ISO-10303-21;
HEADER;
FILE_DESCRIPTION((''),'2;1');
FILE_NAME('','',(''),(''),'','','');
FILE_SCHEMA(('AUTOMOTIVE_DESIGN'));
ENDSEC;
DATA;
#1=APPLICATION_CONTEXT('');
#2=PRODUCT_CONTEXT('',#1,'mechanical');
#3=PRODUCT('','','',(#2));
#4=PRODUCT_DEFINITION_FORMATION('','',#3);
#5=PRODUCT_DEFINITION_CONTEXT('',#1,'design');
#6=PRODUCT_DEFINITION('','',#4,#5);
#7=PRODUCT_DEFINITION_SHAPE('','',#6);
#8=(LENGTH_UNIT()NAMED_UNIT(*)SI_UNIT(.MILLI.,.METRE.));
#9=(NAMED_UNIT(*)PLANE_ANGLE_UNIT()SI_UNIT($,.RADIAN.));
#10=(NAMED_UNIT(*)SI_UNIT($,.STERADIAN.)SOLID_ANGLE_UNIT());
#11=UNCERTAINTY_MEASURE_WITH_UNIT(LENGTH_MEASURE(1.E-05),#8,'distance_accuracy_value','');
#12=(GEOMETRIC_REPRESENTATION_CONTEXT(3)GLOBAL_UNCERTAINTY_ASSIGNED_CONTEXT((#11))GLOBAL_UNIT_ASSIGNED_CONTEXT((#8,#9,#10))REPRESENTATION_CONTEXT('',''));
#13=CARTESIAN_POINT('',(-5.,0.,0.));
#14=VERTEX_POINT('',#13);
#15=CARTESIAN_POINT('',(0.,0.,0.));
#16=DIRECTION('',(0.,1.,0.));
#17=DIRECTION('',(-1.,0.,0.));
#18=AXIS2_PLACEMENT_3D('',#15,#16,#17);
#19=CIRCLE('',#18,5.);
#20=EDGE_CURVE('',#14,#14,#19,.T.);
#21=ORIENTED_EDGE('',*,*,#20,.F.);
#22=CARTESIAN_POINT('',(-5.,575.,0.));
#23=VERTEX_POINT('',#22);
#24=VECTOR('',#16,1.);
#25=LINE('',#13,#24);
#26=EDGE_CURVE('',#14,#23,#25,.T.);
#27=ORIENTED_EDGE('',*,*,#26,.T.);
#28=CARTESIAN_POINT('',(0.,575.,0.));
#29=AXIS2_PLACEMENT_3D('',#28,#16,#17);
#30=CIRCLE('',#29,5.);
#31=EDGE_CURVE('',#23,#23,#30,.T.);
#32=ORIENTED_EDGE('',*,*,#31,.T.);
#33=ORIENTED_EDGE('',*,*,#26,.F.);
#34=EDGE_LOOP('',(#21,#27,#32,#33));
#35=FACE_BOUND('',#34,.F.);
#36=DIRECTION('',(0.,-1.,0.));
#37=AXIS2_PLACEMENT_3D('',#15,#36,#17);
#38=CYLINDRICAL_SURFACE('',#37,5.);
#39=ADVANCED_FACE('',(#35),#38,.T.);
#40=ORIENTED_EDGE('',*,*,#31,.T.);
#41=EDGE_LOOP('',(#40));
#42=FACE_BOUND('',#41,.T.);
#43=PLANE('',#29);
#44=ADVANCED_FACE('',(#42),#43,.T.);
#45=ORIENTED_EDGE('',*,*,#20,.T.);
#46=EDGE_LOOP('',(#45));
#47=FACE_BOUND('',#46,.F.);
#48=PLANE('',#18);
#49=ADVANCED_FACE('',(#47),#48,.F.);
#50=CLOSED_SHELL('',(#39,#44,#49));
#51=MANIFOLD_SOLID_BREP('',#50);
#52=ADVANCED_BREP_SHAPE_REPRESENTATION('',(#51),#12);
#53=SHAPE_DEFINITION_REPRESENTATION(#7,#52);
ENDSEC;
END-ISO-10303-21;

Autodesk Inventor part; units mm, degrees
ref_plane "YZ Plane" through (0, 0, 0) normal (1, 0, 0) x (0, 1, 0)
ref_plane "XZ Plane" through (0, 0, 0) normal (0, 1, 0) x (-1, 0, 0)
ref_plane "XY Plane" through (0, 0, 0) normal (0, 0, 1) x (1, 0, 0)
sketch "Sketch1" plane through (0, 0, 0) normal (0, 1, 0) x (-1, 0, 0)
  circle A0 centre (0, 0) radius 5
  dimension "d0" = 10
extrude "Extrusion1" add sketch "Sketch1" along normal blind 575
thread "Thread1" size "M10x1.5" class "6g" standard "ANSI Metric M Profile" full length
properties part number "Gewindestange_Y"
